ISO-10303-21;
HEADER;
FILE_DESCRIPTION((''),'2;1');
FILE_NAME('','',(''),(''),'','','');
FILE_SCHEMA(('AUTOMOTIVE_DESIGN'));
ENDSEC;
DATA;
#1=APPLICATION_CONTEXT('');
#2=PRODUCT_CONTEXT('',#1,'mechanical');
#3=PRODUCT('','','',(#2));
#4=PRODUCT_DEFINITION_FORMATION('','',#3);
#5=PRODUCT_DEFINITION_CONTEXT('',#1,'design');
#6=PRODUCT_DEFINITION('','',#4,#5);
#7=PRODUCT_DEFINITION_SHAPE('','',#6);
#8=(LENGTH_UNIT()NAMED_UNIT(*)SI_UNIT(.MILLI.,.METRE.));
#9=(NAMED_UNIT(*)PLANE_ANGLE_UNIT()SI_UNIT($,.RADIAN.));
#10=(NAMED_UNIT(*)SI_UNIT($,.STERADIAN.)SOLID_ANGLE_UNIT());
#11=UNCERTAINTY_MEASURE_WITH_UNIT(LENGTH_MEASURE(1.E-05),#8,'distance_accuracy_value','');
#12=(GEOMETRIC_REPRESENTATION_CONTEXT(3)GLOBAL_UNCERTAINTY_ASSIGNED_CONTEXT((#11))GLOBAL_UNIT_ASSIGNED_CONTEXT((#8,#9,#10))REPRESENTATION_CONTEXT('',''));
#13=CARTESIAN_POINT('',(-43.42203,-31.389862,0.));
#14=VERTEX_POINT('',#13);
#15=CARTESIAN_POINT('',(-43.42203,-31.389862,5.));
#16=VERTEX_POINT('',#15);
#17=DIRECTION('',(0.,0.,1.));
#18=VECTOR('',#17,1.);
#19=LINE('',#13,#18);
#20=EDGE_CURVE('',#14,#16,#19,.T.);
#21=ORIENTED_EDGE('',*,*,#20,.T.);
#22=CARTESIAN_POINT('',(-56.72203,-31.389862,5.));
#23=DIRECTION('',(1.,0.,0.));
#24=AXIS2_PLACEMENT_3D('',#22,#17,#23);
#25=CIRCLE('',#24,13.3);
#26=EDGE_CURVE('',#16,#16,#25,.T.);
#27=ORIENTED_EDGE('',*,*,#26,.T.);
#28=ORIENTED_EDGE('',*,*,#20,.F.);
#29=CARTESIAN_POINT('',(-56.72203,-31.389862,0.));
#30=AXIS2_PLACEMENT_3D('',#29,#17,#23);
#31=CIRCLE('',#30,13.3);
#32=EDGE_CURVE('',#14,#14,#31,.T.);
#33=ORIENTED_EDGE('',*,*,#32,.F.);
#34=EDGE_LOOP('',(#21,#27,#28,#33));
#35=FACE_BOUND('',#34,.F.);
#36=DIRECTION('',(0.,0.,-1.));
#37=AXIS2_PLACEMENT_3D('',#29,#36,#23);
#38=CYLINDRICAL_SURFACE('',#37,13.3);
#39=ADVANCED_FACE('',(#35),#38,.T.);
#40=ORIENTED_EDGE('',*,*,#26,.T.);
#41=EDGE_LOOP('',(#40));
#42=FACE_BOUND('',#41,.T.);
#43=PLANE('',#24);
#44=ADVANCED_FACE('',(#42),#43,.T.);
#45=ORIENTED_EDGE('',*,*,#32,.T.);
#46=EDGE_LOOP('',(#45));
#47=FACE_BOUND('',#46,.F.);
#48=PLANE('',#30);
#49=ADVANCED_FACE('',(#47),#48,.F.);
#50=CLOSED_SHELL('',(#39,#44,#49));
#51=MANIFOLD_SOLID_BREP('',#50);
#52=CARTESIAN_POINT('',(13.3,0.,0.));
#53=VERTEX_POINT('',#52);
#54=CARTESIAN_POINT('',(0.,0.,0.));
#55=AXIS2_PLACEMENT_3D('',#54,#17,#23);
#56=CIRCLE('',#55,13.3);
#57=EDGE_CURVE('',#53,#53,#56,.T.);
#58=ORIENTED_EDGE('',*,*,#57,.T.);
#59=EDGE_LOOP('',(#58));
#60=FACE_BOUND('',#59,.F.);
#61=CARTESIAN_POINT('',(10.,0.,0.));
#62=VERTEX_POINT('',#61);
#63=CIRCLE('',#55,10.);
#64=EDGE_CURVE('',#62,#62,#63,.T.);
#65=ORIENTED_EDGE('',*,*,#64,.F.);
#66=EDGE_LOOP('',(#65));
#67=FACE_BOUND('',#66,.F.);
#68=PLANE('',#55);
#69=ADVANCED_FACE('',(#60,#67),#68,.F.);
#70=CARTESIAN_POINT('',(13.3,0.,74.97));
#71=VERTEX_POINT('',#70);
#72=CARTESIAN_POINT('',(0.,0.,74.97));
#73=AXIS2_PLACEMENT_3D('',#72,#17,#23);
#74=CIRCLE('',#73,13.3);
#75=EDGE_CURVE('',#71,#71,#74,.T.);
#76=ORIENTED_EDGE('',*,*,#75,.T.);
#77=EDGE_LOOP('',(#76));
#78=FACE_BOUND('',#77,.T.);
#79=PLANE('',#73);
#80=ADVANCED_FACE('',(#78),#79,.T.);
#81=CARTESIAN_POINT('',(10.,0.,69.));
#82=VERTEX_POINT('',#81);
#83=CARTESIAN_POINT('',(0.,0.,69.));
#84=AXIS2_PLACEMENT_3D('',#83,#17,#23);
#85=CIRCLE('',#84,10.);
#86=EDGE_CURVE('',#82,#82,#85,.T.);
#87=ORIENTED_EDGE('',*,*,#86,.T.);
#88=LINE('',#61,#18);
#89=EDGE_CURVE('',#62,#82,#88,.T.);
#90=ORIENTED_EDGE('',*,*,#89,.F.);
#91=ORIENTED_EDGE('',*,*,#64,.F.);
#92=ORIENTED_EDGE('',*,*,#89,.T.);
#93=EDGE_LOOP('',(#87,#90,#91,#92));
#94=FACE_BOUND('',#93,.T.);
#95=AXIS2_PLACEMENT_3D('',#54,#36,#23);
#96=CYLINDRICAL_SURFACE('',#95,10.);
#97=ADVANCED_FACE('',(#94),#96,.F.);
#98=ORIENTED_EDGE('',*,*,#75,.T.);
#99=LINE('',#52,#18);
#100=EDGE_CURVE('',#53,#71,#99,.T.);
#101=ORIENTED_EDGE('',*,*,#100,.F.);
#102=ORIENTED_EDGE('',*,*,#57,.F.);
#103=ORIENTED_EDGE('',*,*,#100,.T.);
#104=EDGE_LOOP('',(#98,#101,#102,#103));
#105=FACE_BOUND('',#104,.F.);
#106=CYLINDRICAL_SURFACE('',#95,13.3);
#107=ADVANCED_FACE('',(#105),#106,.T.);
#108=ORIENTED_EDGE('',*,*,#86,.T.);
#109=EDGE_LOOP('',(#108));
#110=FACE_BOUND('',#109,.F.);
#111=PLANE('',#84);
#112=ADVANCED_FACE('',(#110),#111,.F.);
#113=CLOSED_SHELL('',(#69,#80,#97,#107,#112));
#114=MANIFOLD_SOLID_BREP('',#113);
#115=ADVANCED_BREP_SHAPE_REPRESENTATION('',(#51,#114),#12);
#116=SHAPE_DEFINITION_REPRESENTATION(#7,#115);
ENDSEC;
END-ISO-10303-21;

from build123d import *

# Parameters (mm, degrees)
F0_R     = 13.3
F1_DEPTH = 74.97
F2_R     = 10
F3_DEPTH = 69
F4_R     = 13.3
F5_DEPTH = 5


with BuildPart() as f1:
    # F0 (on Top) → F1 (new body)
    with BuildSketch(Plane.XY):
        Circle(F0_R)
    extrude(amount=F1_DEPTH)

    # F2 (on Top) → F3 (cut)
    with BuildSketch(Plane.XY):
        Circle(F2_R)
    extrude(amount=F3_DEPTH, mode=Mode.SUBTRACT)


with BuildPart() as f5:
    # F4 (on Top) → F5 (new body)
    with BuildSketch(Plane.XY):
        with Locations((-56.72203, -31.389862)):
            Circle(F4_R)
    extrude(amount=F5_DEPTH)


solid = Compound([f1.part, f5.part])
